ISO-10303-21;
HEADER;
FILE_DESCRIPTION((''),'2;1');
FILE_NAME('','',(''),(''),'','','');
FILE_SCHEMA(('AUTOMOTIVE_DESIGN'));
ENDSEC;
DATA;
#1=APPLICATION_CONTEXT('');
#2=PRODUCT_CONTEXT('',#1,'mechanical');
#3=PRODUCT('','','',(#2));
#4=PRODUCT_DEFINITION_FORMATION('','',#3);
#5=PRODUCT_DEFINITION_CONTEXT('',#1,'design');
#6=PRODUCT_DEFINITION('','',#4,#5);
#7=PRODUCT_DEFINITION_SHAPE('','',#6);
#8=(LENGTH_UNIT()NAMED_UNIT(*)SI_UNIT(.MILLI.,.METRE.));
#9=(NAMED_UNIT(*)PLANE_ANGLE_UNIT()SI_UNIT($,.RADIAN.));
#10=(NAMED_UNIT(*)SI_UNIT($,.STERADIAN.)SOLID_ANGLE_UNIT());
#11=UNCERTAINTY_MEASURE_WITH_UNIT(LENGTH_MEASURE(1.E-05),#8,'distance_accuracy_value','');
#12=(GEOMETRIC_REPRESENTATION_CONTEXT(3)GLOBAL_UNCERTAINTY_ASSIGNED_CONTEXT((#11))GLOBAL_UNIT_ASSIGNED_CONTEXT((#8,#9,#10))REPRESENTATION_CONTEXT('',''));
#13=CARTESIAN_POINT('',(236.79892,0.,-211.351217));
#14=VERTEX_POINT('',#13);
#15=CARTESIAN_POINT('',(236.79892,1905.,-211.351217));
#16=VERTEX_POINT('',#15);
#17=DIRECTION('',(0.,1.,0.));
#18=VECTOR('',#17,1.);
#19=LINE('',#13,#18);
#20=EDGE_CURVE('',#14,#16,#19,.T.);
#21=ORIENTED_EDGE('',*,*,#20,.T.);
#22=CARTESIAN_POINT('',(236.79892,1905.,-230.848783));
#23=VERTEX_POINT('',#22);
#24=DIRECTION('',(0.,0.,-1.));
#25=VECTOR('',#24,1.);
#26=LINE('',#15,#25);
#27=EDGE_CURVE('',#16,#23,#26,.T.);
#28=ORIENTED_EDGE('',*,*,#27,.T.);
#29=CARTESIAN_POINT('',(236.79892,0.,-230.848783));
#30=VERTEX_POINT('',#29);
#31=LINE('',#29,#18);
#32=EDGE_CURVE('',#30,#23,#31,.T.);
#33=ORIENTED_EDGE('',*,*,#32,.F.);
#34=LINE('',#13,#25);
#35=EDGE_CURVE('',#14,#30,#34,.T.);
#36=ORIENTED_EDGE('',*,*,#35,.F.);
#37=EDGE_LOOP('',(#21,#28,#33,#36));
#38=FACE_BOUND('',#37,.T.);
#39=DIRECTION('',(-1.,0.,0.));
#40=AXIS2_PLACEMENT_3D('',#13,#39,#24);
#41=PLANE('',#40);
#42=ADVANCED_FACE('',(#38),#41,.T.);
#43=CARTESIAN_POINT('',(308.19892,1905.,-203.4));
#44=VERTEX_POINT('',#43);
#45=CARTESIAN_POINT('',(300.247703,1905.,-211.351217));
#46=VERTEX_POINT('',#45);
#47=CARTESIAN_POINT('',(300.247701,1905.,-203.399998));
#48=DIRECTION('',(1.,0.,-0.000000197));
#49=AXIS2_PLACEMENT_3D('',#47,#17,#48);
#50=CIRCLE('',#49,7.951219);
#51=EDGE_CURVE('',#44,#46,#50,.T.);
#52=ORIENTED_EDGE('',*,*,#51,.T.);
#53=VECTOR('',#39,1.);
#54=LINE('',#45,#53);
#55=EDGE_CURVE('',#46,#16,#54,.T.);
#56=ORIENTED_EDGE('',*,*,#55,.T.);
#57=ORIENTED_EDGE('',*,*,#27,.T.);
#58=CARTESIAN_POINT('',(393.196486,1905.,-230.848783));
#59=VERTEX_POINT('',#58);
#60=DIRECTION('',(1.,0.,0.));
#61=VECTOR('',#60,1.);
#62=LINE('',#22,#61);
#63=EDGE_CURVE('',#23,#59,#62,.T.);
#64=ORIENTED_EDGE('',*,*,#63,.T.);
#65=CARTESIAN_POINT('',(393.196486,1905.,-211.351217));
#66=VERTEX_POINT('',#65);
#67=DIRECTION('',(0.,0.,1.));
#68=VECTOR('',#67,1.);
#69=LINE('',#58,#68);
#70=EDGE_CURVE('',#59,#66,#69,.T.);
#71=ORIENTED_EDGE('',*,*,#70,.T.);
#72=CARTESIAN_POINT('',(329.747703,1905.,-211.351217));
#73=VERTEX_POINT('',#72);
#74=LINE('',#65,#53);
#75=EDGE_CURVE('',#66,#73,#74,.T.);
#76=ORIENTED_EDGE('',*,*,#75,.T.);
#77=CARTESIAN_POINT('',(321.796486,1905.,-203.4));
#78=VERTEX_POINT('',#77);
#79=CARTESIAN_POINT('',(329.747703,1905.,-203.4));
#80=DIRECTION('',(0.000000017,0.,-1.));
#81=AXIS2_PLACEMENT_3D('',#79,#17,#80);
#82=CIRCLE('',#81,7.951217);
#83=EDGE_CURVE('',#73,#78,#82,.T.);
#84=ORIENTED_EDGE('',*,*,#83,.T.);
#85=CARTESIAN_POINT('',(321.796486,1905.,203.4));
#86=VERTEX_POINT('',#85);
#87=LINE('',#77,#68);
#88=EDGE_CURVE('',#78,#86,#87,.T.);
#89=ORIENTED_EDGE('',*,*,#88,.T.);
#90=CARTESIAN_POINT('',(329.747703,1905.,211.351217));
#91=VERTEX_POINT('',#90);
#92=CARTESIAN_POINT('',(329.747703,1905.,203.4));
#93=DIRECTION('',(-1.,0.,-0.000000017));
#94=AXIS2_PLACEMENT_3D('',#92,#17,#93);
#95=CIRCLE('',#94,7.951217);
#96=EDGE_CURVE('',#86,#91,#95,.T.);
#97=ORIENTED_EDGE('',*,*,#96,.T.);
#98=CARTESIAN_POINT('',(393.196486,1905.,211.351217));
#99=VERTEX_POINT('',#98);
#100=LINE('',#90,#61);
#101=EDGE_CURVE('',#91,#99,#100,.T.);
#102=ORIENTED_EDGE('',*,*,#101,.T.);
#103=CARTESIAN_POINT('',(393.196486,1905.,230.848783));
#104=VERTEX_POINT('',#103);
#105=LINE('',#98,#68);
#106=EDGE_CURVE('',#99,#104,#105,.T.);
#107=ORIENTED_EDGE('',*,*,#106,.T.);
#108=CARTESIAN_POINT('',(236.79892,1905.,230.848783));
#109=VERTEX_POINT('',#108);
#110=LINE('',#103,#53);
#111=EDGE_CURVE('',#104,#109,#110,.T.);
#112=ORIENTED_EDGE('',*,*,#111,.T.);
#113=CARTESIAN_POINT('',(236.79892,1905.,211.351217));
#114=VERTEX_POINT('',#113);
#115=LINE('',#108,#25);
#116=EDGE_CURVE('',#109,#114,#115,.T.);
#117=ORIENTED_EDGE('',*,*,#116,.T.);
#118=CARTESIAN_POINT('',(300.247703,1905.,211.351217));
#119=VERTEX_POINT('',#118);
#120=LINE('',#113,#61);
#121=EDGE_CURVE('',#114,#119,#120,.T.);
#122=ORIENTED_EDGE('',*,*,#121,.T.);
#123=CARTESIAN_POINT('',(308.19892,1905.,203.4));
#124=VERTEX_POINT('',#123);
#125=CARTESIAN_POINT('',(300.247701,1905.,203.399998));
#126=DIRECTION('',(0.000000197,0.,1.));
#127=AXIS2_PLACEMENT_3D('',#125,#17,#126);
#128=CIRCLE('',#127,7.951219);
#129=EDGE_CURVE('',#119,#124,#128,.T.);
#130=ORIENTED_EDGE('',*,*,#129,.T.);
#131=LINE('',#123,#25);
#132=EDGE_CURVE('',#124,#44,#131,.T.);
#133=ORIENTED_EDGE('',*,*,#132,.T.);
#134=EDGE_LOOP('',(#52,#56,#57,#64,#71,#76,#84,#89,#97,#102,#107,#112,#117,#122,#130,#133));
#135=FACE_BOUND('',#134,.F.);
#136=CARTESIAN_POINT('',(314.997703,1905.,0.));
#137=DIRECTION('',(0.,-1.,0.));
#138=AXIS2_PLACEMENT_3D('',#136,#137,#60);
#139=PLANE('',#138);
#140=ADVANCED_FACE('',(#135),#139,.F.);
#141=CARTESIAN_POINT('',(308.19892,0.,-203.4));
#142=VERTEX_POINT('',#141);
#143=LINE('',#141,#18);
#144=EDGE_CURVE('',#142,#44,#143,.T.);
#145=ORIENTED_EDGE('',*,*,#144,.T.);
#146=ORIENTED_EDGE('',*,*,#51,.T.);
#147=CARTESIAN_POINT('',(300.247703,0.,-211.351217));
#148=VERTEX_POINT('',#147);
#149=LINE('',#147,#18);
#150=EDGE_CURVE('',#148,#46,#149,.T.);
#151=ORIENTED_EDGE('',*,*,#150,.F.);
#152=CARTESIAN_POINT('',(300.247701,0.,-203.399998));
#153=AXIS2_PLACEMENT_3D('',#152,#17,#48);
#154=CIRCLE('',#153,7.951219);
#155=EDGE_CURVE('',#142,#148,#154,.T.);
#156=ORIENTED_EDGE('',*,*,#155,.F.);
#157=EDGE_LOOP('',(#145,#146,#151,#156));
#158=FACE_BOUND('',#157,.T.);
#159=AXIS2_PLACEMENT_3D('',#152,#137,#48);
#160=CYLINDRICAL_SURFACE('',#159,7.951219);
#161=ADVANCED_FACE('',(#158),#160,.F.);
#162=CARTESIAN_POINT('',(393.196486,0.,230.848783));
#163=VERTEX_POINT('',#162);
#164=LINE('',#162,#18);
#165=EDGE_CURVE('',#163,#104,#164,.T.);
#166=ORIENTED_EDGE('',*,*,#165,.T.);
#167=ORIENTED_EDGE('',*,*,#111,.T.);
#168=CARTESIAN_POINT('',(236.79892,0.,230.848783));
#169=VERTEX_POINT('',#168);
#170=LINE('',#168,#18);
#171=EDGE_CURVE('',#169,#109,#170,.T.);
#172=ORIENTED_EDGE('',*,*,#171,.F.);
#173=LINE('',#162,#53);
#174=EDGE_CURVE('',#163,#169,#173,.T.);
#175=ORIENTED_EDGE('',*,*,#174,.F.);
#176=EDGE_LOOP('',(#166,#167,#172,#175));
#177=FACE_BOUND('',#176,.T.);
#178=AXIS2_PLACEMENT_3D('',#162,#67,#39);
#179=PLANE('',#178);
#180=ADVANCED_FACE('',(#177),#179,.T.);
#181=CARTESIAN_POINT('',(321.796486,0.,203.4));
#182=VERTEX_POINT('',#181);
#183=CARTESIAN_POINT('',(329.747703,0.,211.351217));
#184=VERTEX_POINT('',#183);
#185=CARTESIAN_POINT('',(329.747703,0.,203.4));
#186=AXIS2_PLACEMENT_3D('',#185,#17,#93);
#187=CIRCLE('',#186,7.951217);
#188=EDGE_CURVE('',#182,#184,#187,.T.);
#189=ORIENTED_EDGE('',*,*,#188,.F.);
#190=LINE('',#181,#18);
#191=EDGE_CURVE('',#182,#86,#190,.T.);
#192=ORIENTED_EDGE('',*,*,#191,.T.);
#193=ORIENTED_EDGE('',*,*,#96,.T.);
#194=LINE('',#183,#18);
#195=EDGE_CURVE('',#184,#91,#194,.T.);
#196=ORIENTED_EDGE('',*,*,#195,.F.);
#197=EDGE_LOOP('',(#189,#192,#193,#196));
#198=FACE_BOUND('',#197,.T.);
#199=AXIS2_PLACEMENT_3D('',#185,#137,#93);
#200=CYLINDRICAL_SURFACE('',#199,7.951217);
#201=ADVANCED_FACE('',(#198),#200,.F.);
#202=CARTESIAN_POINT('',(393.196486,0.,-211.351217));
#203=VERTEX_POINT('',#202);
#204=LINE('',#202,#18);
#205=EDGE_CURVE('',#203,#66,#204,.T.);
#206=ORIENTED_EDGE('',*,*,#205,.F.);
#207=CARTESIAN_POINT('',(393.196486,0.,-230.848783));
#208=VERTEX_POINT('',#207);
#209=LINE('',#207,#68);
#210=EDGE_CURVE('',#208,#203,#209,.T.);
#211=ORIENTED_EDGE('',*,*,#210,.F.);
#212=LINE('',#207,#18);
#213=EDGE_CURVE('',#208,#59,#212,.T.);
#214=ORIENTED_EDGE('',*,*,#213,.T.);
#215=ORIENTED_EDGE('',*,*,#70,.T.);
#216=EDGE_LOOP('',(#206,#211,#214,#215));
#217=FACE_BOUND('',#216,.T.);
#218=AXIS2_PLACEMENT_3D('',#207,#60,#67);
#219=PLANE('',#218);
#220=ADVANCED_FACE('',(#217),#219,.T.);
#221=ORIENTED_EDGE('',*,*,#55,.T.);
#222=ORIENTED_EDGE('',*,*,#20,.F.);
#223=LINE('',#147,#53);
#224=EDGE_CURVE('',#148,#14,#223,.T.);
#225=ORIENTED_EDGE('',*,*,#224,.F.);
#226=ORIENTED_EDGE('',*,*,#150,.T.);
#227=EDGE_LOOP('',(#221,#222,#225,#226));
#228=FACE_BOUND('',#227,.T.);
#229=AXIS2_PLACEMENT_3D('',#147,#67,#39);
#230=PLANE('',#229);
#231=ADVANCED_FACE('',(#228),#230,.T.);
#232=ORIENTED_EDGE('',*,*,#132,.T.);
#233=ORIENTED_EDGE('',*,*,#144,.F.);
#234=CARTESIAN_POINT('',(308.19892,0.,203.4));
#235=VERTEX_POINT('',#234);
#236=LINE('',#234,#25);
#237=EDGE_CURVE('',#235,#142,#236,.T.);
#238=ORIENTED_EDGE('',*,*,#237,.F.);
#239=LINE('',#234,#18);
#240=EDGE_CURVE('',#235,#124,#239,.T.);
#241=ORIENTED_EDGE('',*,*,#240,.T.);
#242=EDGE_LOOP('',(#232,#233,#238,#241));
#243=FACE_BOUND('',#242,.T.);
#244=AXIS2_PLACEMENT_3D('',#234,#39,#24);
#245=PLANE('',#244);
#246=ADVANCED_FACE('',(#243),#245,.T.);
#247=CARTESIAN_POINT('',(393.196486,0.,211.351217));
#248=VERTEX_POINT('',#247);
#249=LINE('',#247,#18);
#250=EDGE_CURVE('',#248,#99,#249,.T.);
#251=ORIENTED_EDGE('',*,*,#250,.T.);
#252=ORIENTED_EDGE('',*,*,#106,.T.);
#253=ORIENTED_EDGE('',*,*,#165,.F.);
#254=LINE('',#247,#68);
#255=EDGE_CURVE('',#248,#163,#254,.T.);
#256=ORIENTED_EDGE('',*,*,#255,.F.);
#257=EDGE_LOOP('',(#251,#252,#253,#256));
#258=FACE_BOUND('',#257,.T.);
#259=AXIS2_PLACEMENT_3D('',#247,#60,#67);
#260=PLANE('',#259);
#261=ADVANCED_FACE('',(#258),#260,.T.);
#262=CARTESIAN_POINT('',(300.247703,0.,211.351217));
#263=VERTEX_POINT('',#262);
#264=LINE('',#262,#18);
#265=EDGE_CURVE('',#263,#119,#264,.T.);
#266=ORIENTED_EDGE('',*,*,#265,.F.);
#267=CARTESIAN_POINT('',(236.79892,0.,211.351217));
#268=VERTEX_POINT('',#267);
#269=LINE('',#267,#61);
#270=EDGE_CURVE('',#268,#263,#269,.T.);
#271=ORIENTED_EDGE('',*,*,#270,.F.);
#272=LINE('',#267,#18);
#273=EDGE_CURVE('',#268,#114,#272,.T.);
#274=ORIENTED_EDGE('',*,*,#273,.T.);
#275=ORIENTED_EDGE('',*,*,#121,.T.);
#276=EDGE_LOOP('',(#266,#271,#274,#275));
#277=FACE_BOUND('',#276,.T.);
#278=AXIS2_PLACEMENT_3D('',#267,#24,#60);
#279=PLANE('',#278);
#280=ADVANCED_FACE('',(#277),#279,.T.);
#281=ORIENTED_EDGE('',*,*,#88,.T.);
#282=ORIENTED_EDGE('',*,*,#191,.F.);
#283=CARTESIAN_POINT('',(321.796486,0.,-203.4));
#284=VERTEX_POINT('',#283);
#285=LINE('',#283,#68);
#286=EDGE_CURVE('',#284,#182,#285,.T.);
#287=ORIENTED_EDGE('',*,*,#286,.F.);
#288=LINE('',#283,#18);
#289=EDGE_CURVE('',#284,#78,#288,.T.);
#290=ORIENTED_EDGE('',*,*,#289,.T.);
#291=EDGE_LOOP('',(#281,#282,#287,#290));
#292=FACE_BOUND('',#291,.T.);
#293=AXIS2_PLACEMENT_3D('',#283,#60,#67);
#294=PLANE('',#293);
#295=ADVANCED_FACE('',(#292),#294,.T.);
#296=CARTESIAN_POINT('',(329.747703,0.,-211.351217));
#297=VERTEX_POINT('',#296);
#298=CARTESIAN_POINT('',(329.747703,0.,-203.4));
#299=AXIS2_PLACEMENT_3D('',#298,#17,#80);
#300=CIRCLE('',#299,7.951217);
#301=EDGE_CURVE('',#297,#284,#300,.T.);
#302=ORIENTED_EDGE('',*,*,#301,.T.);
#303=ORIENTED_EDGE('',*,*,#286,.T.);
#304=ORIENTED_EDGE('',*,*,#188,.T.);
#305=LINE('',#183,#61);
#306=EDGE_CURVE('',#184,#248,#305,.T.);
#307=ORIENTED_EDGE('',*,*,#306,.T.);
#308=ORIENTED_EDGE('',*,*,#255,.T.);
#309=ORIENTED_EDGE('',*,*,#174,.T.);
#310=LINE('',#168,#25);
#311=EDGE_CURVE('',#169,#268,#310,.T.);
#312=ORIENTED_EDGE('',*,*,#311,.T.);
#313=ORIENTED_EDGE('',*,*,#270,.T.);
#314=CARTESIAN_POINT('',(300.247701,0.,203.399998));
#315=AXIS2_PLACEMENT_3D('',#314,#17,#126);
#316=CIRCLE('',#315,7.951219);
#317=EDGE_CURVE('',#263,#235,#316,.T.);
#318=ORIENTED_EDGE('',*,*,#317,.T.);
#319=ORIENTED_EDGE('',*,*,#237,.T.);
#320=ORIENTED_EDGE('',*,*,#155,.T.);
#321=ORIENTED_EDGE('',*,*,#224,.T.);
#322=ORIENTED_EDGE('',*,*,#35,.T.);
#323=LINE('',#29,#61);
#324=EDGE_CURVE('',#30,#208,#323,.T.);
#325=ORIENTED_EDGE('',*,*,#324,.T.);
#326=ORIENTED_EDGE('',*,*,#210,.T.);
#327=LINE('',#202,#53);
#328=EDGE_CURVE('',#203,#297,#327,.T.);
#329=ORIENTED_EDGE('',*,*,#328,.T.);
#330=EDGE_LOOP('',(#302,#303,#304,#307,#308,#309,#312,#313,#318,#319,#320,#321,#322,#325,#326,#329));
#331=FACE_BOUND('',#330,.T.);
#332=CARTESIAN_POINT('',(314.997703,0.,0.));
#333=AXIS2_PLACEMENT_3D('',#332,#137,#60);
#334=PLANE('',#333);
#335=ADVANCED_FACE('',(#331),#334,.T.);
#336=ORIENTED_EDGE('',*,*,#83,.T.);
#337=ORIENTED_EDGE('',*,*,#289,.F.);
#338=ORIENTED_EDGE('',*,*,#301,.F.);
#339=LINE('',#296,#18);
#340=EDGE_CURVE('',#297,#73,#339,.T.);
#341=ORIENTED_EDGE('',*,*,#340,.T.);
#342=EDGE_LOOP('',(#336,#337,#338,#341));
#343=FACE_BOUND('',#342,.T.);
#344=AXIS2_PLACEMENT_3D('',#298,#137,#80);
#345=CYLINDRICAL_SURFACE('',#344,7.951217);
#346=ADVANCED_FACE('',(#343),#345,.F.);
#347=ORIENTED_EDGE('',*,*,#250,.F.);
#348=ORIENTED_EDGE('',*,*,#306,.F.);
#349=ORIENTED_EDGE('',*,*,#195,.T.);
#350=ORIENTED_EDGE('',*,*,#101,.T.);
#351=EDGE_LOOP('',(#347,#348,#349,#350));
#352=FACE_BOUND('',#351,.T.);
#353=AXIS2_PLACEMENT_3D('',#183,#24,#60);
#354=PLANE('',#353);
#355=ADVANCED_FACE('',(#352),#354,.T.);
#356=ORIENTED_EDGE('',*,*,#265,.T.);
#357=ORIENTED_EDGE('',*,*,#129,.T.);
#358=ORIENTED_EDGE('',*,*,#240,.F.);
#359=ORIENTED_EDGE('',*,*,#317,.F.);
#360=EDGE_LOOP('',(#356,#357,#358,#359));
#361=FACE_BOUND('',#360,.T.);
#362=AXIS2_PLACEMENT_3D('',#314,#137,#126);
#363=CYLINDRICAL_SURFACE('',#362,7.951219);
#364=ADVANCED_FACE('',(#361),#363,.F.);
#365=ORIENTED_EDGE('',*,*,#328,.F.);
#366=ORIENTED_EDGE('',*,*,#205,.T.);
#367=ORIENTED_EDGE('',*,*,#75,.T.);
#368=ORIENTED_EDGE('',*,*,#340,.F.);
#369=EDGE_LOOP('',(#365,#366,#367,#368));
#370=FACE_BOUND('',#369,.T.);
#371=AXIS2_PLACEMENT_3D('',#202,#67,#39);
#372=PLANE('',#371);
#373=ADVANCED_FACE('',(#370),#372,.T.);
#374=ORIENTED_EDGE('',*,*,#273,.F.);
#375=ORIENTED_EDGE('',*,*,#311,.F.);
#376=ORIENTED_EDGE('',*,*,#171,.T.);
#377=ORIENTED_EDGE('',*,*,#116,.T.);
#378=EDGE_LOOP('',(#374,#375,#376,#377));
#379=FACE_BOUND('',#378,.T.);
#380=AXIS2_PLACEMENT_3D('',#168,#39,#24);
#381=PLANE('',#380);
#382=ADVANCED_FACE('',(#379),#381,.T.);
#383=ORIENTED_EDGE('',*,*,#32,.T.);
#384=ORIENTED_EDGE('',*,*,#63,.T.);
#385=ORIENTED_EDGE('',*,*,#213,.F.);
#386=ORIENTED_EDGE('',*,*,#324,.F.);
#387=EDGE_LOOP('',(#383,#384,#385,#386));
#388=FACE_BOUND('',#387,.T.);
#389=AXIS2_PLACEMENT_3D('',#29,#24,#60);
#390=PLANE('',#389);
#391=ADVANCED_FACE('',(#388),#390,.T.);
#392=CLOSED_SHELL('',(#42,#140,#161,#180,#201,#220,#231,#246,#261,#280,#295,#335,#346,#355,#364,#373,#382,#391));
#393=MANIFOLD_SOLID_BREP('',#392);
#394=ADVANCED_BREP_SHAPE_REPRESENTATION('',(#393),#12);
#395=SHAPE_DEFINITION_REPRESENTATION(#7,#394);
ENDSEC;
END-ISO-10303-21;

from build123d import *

# Parameters (mm, degrees)
F1_DEPTH = 1905


with BuildPart() as f1:
    # F0 (on Front) → F1 (new body)
    with BuildSketch(Plane.XZ):
        with BuildLine():
            Line((393.196486, 211.351217), (393.196486, 230.848783))
            Line((393.196486, 230.848783), (236.79892, 230.848783))
            Line((236.79892, 230.848783), (236.79892, 211.351217))
            Line((236.79892, 211.351217), (300.247703, 211.351217))
            ThreePointArc((300.247703, 211.351217), (305.870062, 209.022359), (308.19892, 203.4))
            Line((308.19892, 203.4), (308.19892, -203.4))
            ThreePointArc((308.19892, -203.4), (305.870062, -209.022359), (300.247703, -211.351217))
            Line((300.247703, -211.351217), (236.79892, -211.351217))
            Line((236.79892, -211.351217), (236.79892, -230.848783))
            Line((236.79892, -230.848783), (393.196486, -230.848783))
            Line((393.196486, -230.848783), (393.196486, -211.351217))
            Line((393.196486, -211.351217), (329.747703, -211.351217))
            ThreePointArc((329.747703, -211.351217), (324.125343, -209.022359), (321.796486, -203.4))
            Line((321.796486, -203.4), (321.796486, 203.4))
            ThreePointArc((321.796486, 203.4), (324.125343, 209.022359), (329.747703, 211.351217))
            Line((329.747703, 211.351217), (393.196486, 211.351217))
        make_face()
    extrude(amount=-F1_DEPTH)


solid = f1.part
